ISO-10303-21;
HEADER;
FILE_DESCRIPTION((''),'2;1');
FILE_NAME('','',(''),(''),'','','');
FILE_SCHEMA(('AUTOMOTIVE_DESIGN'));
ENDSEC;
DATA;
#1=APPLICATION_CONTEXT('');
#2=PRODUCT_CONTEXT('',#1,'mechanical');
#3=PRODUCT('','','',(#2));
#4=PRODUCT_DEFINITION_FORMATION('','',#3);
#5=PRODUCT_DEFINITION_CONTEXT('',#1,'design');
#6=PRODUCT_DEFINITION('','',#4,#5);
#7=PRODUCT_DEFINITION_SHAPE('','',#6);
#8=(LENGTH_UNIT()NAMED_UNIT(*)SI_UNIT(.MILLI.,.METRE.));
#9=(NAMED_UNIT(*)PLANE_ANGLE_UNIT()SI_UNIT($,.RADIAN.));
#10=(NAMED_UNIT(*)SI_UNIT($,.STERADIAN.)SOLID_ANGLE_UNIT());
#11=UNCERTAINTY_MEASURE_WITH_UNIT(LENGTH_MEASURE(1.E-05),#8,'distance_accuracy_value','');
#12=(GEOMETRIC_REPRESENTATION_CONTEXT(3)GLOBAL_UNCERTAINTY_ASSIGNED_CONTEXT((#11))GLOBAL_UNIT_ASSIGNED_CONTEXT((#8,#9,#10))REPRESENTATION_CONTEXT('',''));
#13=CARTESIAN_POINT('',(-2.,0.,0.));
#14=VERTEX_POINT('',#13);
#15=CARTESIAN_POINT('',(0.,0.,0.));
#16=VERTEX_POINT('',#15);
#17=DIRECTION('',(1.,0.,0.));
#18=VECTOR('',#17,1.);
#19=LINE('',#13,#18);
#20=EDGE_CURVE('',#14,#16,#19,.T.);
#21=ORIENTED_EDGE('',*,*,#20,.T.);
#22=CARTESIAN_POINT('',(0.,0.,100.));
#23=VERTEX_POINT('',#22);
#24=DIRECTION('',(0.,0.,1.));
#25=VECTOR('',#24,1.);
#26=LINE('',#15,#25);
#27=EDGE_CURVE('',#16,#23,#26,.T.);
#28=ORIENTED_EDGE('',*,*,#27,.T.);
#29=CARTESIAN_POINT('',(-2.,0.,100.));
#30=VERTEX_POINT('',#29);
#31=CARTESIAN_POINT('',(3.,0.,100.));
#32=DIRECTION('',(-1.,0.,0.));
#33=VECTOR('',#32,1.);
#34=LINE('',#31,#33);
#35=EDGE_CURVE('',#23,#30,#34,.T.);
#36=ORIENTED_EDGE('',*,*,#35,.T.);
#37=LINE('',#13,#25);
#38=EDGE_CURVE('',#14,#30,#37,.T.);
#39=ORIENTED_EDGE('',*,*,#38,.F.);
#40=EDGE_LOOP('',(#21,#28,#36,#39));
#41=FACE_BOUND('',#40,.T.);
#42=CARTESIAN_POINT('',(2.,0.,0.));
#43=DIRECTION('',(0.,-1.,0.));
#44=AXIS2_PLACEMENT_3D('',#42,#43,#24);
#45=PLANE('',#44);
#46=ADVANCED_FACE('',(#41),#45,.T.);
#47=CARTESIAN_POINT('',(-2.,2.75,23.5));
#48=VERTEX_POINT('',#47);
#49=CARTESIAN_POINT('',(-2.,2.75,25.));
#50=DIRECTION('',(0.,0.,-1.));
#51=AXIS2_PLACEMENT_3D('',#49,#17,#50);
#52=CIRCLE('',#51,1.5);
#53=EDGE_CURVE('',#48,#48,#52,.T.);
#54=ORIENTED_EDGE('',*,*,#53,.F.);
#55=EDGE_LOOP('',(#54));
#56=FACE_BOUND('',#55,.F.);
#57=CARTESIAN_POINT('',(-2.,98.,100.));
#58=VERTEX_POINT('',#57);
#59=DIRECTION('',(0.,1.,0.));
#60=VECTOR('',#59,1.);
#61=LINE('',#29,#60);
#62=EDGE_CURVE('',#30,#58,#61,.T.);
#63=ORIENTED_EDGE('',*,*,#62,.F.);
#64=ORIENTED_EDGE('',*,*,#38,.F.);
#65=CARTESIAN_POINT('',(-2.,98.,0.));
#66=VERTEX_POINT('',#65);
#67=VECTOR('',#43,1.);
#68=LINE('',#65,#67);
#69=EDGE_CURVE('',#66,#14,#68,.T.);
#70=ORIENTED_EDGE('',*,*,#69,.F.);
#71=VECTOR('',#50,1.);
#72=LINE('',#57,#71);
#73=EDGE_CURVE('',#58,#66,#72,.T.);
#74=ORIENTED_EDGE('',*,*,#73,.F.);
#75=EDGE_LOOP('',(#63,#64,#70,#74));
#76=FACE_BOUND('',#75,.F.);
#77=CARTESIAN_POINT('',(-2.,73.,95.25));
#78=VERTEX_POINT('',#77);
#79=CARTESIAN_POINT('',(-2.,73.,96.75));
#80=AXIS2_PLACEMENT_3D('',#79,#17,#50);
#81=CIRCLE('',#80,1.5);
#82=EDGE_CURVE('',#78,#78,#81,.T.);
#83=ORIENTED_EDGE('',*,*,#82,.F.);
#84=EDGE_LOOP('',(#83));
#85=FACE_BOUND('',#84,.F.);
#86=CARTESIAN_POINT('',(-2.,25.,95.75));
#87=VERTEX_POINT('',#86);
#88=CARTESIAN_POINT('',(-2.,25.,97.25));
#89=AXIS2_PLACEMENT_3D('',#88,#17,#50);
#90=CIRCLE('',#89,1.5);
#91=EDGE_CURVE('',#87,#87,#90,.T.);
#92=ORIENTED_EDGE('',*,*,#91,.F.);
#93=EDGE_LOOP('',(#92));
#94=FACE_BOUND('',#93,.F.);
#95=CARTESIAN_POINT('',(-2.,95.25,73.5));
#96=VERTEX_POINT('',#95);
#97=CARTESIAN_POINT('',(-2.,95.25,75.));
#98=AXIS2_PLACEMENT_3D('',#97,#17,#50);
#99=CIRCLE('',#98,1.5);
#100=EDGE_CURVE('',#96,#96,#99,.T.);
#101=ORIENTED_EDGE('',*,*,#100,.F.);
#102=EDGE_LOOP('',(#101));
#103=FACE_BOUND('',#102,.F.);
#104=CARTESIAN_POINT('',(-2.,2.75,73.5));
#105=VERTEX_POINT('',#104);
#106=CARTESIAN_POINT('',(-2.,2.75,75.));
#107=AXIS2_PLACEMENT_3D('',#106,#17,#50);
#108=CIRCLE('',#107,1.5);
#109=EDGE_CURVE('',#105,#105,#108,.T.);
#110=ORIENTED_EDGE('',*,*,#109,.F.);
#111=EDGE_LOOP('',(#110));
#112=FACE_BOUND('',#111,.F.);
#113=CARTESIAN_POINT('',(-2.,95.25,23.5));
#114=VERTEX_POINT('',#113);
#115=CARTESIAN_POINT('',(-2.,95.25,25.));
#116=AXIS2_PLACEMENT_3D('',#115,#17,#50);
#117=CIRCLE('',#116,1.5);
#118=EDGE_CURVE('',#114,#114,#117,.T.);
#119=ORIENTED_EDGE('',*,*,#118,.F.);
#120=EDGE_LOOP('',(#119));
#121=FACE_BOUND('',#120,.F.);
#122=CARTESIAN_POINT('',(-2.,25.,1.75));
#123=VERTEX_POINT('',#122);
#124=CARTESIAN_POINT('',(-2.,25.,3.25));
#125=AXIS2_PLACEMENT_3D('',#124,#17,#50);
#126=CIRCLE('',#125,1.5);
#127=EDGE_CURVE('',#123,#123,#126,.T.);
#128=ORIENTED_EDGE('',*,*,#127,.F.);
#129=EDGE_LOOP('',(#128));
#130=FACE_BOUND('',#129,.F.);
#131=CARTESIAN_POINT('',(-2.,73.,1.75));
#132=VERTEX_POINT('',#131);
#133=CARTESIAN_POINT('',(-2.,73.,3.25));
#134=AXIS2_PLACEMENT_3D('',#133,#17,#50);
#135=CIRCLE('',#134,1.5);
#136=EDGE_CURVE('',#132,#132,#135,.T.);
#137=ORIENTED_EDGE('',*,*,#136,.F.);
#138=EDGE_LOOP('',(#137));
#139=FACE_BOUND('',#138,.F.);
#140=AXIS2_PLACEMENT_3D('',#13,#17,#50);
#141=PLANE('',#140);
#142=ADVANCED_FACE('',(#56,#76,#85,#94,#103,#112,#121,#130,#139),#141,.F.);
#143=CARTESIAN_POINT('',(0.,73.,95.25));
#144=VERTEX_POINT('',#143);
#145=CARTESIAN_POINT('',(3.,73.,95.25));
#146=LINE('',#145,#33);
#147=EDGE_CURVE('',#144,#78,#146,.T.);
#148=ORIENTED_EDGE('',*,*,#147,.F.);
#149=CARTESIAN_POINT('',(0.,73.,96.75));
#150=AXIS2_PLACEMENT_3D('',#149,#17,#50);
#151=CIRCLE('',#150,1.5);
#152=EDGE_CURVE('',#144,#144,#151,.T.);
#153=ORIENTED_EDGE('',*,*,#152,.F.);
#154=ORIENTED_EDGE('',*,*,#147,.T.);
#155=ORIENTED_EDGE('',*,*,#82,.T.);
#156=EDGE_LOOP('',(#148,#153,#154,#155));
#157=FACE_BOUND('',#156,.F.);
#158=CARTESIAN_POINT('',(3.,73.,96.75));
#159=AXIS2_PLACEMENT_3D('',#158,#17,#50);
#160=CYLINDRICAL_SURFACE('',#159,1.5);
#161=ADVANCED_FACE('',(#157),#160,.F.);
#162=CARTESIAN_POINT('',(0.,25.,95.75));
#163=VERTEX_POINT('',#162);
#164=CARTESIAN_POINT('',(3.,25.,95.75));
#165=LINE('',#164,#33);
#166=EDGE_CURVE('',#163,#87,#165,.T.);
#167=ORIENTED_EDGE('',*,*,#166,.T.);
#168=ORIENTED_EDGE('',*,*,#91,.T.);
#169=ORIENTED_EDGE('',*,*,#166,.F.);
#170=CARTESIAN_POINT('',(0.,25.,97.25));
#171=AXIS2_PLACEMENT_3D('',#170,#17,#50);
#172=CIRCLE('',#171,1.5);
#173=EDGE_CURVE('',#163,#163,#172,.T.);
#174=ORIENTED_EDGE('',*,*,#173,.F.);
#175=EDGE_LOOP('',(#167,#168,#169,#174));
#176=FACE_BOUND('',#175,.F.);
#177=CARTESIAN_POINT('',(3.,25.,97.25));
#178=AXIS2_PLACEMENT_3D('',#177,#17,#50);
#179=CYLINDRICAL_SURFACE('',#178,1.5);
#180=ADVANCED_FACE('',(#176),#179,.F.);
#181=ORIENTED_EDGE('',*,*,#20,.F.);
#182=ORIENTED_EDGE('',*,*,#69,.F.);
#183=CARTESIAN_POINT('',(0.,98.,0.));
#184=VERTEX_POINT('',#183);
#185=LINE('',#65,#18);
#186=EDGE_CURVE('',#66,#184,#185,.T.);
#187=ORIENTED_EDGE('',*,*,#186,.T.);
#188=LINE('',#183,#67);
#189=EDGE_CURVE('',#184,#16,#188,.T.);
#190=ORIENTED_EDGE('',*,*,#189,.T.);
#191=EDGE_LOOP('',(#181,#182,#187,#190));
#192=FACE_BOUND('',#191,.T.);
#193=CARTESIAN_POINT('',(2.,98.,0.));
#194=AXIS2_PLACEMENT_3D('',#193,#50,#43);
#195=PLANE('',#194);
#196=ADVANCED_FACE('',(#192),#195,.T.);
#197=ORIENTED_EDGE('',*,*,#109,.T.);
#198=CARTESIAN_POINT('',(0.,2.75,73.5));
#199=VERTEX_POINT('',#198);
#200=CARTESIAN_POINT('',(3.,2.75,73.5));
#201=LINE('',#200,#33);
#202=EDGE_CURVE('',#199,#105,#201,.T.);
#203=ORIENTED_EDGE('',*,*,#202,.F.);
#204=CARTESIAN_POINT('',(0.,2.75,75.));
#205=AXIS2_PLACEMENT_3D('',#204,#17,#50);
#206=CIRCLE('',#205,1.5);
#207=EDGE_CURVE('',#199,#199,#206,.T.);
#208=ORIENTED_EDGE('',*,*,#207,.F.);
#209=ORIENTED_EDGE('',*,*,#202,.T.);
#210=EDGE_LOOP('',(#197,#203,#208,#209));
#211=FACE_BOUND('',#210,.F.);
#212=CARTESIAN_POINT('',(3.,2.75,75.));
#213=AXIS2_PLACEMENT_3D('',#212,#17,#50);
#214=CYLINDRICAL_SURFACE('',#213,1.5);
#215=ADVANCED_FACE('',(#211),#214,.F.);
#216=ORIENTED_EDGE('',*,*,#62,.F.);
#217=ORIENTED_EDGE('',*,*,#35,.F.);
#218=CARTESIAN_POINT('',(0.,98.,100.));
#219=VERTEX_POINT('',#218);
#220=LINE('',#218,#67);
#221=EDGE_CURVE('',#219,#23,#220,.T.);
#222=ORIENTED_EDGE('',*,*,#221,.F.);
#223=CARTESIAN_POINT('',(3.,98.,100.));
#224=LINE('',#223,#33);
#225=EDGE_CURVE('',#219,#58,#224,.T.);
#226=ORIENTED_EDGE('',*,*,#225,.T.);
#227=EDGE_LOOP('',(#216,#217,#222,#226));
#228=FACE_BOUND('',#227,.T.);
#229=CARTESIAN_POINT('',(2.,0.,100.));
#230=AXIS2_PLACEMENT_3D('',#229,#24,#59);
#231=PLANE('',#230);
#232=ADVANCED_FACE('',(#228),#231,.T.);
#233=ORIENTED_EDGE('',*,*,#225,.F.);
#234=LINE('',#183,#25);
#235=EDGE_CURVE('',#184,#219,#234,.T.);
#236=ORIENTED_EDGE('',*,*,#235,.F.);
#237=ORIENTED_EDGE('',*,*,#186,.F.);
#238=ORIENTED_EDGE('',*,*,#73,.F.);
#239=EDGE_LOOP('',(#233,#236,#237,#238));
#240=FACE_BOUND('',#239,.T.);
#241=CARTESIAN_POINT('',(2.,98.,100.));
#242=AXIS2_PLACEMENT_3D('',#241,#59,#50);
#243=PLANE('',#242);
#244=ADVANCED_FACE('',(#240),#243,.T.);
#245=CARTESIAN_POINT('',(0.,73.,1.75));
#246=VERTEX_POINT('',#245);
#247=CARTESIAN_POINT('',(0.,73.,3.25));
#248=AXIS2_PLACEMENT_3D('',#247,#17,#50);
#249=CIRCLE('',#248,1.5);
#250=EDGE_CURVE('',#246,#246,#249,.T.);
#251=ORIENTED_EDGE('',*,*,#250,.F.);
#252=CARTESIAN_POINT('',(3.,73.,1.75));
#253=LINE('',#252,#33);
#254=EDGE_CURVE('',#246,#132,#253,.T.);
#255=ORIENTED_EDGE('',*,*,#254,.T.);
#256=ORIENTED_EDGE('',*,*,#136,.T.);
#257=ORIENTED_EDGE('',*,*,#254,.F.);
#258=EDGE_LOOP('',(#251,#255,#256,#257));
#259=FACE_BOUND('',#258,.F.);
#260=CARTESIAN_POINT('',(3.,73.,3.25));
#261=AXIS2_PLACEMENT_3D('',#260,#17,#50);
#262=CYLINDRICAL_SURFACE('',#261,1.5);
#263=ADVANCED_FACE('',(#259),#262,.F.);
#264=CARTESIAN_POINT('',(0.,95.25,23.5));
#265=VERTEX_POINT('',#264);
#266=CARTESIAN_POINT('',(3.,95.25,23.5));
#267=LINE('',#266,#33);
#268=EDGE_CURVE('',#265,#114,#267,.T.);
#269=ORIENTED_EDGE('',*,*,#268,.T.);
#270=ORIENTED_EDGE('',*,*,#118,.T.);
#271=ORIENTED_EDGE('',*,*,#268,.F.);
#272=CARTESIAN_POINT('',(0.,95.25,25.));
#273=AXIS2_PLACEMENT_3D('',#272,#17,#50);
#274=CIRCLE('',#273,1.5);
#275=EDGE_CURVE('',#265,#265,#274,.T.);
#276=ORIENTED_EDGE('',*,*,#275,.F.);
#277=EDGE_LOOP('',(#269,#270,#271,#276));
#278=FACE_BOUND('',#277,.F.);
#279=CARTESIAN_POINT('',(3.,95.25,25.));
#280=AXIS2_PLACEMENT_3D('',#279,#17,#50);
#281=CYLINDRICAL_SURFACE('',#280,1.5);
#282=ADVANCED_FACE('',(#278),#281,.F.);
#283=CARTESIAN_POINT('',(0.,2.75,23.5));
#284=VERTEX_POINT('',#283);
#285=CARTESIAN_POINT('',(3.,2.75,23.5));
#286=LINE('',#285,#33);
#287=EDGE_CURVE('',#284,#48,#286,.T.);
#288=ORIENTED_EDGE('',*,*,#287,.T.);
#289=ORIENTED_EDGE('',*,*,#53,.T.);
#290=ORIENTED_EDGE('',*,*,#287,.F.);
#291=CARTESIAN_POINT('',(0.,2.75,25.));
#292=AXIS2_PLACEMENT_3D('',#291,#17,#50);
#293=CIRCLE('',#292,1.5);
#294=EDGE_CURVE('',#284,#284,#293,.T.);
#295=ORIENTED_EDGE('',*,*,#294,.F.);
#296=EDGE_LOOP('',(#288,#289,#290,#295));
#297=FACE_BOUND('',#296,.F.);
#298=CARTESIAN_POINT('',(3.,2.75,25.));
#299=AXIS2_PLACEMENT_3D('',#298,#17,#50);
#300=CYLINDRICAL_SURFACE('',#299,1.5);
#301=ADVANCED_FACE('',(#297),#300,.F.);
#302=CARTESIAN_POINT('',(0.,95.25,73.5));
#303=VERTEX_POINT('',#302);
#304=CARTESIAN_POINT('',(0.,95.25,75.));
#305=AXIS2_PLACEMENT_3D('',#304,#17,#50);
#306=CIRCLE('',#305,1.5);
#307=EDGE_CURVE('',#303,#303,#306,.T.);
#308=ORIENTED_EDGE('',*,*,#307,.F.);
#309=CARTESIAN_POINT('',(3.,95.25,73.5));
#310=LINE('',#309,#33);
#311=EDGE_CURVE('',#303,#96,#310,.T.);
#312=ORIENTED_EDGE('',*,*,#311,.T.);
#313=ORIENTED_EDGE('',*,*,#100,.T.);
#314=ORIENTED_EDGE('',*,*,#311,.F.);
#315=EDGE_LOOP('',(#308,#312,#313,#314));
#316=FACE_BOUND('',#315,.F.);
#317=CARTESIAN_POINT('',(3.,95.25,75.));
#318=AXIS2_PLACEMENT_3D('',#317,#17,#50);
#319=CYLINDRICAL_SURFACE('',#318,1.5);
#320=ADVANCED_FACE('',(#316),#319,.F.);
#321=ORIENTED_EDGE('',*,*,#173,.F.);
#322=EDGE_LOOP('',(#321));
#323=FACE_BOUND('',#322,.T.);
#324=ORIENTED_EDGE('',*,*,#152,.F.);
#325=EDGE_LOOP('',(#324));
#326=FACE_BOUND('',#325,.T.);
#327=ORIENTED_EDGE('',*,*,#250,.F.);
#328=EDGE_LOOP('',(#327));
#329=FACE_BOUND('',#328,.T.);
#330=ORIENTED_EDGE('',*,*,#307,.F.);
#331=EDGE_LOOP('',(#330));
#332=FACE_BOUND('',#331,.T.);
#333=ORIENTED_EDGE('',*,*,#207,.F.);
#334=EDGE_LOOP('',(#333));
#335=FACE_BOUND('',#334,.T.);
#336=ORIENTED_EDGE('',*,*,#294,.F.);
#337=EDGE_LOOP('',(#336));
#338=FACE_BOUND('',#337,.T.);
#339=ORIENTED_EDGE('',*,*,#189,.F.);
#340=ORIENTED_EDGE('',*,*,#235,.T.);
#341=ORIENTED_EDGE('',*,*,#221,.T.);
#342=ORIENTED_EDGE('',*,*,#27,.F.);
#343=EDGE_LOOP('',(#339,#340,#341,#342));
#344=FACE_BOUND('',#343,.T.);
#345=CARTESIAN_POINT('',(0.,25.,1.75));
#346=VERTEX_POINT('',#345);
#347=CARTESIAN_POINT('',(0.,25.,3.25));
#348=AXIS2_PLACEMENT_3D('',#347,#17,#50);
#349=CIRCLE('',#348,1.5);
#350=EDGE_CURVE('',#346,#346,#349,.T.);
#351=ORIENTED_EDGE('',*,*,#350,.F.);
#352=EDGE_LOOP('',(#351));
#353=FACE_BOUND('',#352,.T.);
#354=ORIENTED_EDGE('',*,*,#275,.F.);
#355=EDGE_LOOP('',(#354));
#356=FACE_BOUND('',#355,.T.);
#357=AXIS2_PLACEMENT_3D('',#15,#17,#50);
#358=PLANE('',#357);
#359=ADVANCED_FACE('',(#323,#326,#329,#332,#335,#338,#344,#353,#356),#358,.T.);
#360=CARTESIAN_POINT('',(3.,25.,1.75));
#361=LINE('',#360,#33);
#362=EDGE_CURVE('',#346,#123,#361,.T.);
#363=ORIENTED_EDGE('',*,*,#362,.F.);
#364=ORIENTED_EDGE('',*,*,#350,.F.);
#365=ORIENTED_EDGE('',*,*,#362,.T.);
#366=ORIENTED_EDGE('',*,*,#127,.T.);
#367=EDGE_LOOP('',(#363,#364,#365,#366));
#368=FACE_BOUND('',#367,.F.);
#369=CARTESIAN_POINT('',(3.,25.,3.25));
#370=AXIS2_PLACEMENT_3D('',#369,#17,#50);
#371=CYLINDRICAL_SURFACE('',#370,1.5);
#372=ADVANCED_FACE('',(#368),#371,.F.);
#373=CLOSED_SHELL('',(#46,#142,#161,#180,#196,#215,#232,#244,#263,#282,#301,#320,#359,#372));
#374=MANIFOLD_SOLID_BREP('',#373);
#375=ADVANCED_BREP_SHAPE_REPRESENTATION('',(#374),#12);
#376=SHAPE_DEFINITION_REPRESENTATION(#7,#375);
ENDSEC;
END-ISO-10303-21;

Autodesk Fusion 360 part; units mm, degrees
sketch "Sketch1" plane through (0, 0, 0) normal (1, 0, 0) x (0, 0, -1)
  line L0 (0, 0) -> (-100, 0)
  line L1 (-100, 0) -> (-100, 98)
  line L2 (-100, 98) -> (0, 98)
  line L3 (0, 98) -> (0, 0)
  dimension "d1" = 100
  dimension "d2" = 98
extrude "Extrude1" add sketch "Sketch1" against normal blind 2
extrude "Extrude2" add 1 faces at (0, 32.6667, 33.3333) along direction (1, 0, 0) blind 2
extrude "Extrude3" add 1 faces at (2, 32.6667, 33.3333) along direction (1, 0, 0) blind 1
sketch "Sketch2" plane through (3, 0, 0) normal (1, 0, 0) x (0, 0, -1)
  line L0 (-100, 98) -> (0, 98)
  line L1 (0, 98) -> (0, 0)
  line L2 (0, 0) -> (-100, 0)
  line L3 (-100, 0) -> (-100, 98)
  line L4 (-100, 98) -> (-75, 98)
  line L5 (-75, 98) -> (-75, 92.5)
  line L6 (-75, 92.5) -> (-100, 92.5)
  line L7 (-100, 92.5) -> (-100, 98)
  line L8 (-100, 98) -> (-93.5, 98)
  line L9 (-93.5, 98) -> (-93.5, 73)
  line L10 (0, 98) -> (-6.5, 98)
  line L11 (-6.5, 98) -> (-6.5, 73)
  line L12 (-6.5, 73) -> (0, 73)
  line L13 (0, 73) -> (0, 98)
  line L14 (0, 98) -> (-25, 98)
  line L15 (-25, 98) -> (-25, 92.5)
  line L16 (-25, 92.5) -> (0, 92.5)
  line L17 (0, 92.5) -> (0, 98)
  line L18 (0, 0) -> (-6.5, 0)
  line L19 (-6.5, 0) -> (-6.5, 25)
  line L20 (-6.5, 25) -> (0, 25)
  line L21 (0, 25) -> (0, 0)
  line L22 (0, 0) -> (-25, 0)
  line L23 (-25, 0) -> (-25, 5.5)
  line L24 (-25, 5.5) -> (0, 5.5)
  line L25 (0, 5.5) -> (0, 0)
  line L26 (-100, 0) -> (-75, 0)
  line L27 (-75, 0) -> (-75, 5.5)
  line L28 (-75, 5.5) -> (-100, 5.5)
  line L29 (-100, 5.5) -> (-100, 0)
  line L30 (-100, 0) -> (-94.5, 0)
  line L31 (-94.5, 0) -> (-94.5, 25)
  line L32 (-94.5, 25) -> (-100, 25)
  line L33 (-100, 25) -> (-100, 0)
  circle A0 centre (-75, 95.25) radius 1.5
  circle A1 centre (-97.25, 25) radius 1.5
  circle A2 centre (-75, 2.75) radius 1.5
  circle A3 centre (-25, 2.75) radius 1.5
  circle A4 centre (-3.25, 25) radius 1.5
  circle A5 centre (-3.25, 73) radius 1.5
  circle A6 centre (-25, 95.25) radius 1.5
  line L34 (-93.5, 73) -> (-100, 73)
  line L35 (-100, 73) -> (-100, 98)
  line L36 (-100, 98) -> (-93.5, 98)
  line L37 (-93.5, 98) -> (-93.5, 73)
  circle A7 centre (-96.75, 73) radius 1.5
  dimension "d53" = 25
  dimension "d54" = 5.5
  dimension "d55" = 6.5
  dimension "d57" = 6.5
  dimension "d58" = 25
  dimension "d59" = 25
  dimension "d60" = 5.5
  dimension "d61" = 6.5
  dimension "d62" = 25
  dimension "d63" = 5.5
  dimension "d64" = 25
  dimension "d65" = 5.5
  dimension "d66" = 25
  dimension "d67" = 100
  dimension "d68" = 98
  dimension "d69" = 5.5
  dimension "d70" = 25
  dimension "d71" = 3
  dimension "d73" = 3
  dimension "d74" = 3
  dimension "d75" = 3
  dimension "d76" = 3
  dimension "d77" = 3
  dimension "d78" = 3
  dimension "d81" = 25
  dimension "d83" = 3
extrude "Extrude9" cut sketch "Sketch2" against normal blind 20 contours L5 A0 | L5 A0 | L34 A7 | L34 A7 | L15 A6 | L15 A6 | L32 A1 | L32 A1 | L12 A5 | L12 A5 | L27 A2 | L27 A2 | L20 A4 | L20 A4 | L23 A3 | L23 A3
extrude "Extrude10" cut sketch "Sketch2" against normal blind 3 contours L0 L3 L4 L6 L7 L8 L9 L35 L36 L37 | L0 L4 L5 L6 L9 A0 L37 | L3 L6 L9 L34 L35 L37 A7 | L0 L1 L2 L3 L5 L6 L9 L11 L12 L15 L16 L19 L20 L23 L24 L27 L28 L31 L32 A0 A1 A2 A3 A4 A5 A6 L34 L37 A7 | L0 L11 L14 L15 L16 A6 | L3 L28 L31 L32 L33 A1 | L0 L1 L10 L11 L13 L14 L16 L17 | L2 L3 L26 L28 L29 L30 L31 L33 | L1 L11 L12 L13 L16 A5 | L2 L26 L27 L28 L31 A2 | L1 L19 L20 L21 L24 A4 | L2 L19 L22 L23 L24 A3 | L1 L2 L18 L19 L21 L22 L24 L25
